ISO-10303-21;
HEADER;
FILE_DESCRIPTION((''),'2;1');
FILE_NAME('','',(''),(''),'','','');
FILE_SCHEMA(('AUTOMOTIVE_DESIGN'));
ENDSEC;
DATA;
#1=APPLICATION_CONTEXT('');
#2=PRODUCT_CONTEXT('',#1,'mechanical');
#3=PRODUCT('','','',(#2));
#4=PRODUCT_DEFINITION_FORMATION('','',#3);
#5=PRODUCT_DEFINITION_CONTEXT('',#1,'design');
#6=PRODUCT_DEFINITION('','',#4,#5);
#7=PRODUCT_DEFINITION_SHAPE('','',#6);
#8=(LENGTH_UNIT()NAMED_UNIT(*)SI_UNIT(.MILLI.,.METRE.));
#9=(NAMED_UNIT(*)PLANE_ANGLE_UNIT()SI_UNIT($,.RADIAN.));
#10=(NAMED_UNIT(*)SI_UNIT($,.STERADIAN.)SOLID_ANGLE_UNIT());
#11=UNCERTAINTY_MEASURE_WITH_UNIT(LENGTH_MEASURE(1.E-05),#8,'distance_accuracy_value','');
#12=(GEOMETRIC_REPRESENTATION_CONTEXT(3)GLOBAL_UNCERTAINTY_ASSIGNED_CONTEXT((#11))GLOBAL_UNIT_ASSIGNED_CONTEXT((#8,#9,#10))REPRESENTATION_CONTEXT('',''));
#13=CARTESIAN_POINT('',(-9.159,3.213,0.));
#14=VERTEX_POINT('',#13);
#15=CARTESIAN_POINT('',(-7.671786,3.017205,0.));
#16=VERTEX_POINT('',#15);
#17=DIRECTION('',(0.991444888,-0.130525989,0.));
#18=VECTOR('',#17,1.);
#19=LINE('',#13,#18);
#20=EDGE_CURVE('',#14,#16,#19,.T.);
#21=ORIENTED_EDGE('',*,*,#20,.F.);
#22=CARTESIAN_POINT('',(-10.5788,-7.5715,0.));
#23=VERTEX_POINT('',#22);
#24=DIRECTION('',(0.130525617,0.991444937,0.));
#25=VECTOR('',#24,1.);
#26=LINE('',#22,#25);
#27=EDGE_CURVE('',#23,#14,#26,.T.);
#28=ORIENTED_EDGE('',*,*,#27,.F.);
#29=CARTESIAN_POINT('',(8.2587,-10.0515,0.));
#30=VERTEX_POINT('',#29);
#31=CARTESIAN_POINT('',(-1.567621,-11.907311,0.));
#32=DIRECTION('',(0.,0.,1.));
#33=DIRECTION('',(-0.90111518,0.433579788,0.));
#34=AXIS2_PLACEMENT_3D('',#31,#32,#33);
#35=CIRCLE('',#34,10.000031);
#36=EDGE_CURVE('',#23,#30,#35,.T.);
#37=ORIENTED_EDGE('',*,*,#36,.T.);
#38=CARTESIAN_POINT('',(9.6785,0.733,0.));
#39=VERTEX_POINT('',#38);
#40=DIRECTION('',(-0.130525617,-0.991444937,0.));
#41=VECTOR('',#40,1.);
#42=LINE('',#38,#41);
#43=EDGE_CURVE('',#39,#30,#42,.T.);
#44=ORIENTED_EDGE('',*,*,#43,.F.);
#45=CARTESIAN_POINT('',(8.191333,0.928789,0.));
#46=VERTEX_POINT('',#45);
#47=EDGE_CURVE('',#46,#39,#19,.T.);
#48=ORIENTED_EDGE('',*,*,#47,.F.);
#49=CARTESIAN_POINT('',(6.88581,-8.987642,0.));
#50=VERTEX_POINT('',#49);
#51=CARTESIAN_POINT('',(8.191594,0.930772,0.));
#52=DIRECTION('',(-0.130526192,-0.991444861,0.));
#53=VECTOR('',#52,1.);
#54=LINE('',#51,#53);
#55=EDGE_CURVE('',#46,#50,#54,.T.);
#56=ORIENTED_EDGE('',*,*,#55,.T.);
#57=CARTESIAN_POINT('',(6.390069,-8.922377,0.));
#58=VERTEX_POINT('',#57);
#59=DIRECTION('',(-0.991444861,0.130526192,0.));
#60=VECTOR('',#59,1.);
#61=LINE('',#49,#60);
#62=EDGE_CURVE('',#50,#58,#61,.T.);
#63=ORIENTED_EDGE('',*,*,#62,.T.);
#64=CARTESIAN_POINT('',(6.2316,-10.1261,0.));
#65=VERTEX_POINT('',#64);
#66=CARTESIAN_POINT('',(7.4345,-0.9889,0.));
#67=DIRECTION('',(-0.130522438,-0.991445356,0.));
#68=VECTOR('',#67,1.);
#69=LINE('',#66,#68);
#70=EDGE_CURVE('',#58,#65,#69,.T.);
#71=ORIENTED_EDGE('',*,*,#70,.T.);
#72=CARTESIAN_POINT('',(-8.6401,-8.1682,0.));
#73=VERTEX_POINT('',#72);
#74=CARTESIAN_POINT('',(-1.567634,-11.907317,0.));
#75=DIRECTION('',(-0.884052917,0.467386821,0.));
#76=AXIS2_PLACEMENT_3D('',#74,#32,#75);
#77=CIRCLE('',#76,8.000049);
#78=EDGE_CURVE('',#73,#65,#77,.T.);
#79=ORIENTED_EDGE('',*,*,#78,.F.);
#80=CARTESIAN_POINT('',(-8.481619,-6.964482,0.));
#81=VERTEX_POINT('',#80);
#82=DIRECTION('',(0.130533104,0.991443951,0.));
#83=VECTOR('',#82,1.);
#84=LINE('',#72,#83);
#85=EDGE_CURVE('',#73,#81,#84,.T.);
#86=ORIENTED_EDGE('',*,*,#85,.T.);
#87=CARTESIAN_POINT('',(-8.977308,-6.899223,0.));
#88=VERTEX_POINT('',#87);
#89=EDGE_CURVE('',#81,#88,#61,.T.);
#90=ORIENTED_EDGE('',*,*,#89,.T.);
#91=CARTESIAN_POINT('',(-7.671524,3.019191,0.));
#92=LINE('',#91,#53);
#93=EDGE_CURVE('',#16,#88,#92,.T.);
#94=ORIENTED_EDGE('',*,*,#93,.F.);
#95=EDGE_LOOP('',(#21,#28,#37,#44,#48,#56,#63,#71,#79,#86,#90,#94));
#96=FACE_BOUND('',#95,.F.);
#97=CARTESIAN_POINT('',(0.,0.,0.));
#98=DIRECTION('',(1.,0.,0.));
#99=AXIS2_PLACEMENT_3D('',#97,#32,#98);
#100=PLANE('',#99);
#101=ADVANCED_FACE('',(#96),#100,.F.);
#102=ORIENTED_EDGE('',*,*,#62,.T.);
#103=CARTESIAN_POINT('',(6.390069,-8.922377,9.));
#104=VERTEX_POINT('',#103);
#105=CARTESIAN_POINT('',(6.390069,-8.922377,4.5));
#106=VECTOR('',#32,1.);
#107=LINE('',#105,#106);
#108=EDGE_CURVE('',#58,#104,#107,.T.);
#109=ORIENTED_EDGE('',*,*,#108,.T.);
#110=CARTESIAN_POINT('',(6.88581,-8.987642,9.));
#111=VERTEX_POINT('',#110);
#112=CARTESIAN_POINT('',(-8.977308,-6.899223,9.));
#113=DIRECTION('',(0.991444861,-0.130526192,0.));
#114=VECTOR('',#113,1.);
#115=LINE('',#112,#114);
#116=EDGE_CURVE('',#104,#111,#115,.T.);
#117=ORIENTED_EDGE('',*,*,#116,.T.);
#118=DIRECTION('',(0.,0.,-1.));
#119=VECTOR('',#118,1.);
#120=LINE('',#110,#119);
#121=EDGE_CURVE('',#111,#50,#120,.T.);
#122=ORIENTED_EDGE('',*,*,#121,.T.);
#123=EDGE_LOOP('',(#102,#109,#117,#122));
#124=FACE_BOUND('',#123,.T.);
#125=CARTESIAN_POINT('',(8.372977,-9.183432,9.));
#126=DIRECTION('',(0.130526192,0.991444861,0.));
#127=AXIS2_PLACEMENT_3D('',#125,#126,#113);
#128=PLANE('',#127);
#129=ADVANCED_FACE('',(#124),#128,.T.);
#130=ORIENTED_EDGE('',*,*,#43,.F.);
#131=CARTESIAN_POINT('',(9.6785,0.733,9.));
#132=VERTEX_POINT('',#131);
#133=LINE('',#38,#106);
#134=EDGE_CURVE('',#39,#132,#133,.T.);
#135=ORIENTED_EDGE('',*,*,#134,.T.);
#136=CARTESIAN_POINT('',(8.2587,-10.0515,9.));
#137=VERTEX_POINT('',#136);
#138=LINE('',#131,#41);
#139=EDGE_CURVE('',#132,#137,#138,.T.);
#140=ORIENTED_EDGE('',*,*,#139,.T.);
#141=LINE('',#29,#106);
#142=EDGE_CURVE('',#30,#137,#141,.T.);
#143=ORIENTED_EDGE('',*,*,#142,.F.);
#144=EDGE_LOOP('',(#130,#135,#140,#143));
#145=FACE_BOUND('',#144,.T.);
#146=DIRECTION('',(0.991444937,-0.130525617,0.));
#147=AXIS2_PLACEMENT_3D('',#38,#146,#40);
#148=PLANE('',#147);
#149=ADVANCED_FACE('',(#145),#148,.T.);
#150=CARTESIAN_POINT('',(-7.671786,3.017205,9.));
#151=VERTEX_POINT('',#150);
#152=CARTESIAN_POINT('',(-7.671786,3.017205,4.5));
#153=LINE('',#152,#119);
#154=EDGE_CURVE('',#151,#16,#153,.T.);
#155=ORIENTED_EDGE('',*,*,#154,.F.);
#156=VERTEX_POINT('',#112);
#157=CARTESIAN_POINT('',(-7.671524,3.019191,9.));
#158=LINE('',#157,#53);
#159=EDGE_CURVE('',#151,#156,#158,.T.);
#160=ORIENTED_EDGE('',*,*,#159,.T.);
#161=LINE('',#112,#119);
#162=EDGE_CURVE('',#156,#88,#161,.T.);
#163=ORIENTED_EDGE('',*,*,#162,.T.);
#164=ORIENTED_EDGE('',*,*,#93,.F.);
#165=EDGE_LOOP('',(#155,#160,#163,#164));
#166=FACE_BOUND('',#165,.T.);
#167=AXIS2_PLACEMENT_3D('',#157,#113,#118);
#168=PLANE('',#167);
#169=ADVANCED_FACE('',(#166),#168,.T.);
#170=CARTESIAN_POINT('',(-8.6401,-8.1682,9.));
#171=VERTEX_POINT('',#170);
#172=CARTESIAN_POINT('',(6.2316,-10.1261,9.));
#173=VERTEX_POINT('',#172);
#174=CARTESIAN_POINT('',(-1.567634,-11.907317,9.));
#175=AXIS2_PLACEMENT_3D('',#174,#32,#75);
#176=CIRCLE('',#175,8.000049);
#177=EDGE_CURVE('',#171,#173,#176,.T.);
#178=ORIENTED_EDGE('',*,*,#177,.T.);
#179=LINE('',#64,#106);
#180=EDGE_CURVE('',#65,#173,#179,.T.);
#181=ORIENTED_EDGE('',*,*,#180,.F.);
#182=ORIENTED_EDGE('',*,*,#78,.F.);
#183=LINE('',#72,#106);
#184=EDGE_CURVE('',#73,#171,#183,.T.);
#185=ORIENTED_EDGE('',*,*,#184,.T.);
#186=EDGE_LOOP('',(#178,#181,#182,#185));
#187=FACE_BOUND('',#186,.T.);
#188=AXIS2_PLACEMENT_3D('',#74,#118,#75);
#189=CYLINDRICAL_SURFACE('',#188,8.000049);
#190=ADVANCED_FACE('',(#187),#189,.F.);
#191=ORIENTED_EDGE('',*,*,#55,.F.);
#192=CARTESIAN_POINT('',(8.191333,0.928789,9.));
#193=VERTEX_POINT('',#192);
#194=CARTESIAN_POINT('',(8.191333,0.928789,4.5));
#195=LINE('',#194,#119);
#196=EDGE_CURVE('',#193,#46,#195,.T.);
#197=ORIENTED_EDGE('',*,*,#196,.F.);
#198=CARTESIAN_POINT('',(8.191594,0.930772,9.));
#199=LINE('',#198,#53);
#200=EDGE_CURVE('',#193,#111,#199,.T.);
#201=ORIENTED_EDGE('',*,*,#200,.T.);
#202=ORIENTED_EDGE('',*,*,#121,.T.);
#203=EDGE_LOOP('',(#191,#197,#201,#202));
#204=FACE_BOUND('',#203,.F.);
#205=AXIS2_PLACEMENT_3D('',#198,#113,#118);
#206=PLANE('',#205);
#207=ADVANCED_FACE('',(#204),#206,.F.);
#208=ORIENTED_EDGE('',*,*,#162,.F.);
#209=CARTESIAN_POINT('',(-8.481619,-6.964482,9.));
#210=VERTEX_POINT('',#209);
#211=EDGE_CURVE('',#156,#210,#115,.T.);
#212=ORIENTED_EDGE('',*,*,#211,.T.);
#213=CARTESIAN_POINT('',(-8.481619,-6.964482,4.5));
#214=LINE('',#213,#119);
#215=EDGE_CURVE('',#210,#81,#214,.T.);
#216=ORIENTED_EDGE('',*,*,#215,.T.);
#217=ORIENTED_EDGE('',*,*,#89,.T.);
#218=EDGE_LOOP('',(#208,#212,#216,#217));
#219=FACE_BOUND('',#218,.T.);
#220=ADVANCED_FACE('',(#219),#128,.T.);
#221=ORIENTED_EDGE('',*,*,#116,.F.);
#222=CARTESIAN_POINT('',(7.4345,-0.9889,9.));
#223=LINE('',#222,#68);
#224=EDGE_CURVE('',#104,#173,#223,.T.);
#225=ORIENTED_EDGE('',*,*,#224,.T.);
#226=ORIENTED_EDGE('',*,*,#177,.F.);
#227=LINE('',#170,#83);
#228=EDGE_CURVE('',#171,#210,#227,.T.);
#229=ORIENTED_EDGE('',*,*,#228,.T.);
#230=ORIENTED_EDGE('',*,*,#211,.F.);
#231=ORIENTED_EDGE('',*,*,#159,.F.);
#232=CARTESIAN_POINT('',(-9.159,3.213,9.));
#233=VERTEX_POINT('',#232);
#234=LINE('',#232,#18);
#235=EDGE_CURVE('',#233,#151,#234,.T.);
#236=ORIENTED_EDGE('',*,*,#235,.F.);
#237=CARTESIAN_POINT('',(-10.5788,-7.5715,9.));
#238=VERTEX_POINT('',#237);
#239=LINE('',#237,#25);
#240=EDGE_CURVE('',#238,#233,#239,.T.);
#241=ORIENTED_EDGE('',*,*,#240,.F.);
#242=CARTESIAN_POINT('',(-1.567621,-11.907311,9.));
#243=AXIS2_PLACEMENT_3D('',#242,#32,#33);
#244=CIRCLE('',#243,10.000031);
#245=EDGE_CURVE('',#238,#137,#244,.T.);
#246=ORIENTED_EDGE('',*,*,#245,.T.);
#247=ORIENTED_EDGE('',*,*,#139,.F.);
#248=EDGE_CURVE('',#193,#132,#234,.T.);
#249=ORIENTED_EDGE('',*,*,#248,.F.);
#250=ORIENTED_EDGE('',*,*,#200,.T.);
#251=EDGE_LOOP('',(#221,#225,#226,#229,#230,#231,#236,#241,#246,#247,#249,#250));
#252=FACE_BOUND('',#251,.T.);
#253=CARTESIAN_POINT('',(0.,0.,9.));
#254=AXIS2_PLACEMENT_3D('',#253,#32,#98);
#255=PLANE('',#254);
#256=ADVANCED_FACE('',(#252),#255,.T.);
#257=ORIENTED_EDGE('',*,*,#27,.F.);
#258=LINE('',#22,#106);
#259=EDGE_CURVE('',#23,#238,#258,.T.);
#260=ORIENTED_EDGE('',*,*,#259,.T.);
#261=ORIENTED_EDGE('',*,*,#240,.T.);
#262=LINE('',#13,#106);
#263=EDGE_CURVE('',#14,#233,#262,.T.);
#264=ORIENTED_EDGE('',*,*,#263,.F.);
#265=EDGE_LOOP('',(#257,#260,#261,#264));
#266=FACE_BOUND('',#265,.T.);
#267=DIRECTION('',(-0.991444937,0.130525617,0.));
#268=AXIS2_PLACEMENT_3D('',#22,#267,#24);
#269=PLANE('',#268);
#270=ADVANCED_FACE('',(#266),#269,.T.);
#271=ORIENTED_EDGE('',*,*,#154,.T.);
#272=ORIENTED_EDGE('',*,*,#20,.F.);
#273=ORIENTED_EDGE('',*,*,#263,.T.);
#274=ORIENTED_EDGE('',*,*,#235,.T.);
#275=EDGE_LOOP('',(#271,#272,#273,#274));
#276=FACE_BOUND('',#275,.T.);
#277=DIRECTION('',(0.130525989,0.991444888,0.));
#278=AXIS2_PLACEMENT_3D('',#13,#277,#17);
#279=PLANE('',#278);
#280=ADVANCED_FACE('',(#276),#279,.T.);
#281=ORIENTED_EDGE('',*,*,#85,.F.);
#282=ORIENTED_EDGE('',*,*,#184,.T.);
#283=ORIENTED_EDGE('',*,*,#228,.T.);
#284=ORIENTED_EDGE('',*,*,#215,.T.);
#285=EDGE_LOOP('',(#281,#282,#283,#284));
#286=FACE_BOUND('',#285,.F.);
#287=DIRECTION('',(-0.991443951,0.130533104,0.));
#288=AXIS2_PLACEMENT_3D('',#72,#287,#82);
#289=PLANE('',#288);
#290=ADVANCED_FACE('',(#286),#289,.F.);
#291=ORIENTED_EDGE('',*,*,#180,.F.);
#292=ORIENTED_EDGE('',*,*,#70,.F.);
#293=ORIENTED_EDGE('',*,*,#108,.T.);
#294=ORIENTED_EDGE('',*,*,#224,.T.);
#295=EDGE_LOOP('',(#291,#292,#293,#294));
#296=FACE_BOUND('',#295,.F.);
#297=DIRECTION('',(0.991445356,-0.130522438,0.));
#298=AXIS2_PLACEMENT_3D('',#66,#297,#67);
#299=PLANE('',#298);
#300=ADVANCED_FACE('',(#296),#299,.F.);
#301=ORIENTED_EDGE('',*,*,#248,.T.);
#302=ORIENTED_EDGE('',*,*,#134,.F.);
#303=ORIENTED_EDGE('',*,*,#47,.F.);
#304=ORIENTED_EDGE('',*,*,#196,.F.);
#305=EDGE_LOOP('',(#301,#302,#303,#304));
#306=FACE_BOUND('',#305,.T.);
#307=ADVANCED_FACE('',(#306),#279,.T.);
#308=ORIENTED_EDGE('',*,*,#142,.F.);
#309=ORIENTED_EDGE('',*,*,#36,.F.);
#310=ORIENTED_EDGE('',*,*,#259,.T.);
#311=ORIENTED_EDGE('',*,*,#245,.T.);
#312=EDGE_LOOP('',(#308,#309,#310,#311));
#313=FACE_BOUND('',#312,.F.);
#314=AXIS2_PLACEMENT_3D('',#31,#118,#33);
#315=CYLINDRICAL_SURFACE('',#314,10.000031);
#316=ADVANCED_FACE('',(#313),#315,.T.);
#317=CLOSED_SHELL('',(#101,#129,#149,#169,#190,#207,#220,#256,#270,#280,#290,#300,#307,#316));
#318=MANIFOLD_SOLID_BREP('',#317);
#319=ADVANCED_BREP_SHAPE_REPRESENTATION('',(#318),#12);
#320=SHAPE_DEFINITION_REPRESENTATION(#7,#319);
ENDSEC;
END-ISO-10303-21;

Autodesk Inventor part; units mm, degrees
ref_plane "YZ Plane" through (0, 0, 0) normal (1, 0, 0) x (0, 1, 0)
ref_plane "XZ Plane" through (0, 0, 0) normal (0, 1, 0) x (-1, 0, 0)
sketch "Sketch1" plane through (0, 0, 0) normal (0, 0, 1) x (1, 0, 0)
  arc A0 (-8.6401, -8.1682) -> (6.2316, -10.1261) centre (-1.5676, -11.9073) ccw projected
  line L0 (7.4345, -0.9889) -> (6.2316, -10.1261) projected
  line L1 (-7.4371, 0.969) -> (7.4345, -0.9889) projected
  line L2 (-8.6401, -8.1682) -> (-7.4371, 0.969) projected
  line L3 (0.03, -17.852) -> (-0.1568, -19.2714) projected
  line L4 (-0.1568, -19.2714) -> (-0.6894, -19.2013) projected
  spline S0 degree 3 poles (-0.6894, -19.2013) (-0.7386, -19.1939) (-0.8276, -19.1805) (-0.9085, -19.1413) (-0.9446, -19.1238) knots 0 0 0 0 0.014823 0.02681 0.02681 0.02681 0.02681 projected
  spline S1 degree 3 poles (-0.9446, -19.1238) (-0.9734, -19.1035) (-1.0308, -19.0631) (-1.0644, -19.0015) (-1.0811, -18.9709) knots 0 0 0 0 0.010419 0.020741 0.020741 0.020741 0.020741 projected
  spline S2 degree 3 poles (-1.0811, -18.9709) (-1.0934, -18.9389) (-1.1175, -18.8762) (-1.1139, -18.8091) (-1.1121, -18.7762) knots 0 0 0 0 0.010155 0.019912 0.019912 0.019912 0.019912 projected
  spline S3 degree 3 poles (-1.1121, -18.7762) (-1.106, -18.7465) (-1.0937, -18.6864) (-1.0581, -18.6365) (-1.0402, -18.6114) knots 0 0 0 0 0.008998 0.018167 0.018167 0.018167 0.018167 projected
  spline S4 degree 3 poles (-1.0402, -18.6114) (-1.0175, -18.5881) (-0.9702, -18.5394) (-0.907, -18.5143) (-0.874, -18.5012) knots 0 0 0 0 0.009628 0.020138 0.020138 0.020138 0.020138 projected
  spline S5 degree 3 poles (-0.874, -18.5012) (-0.912, -18.4819) (-0.9849, -18.4448) (-1.0323, -18.3782) (-1.055, -18.3464) knots 0 0 0 0 0.012589 0.024139 0.024139 0.024139 0.024139 projected
  spline S6 degree 3 poles (-1.055, -18.3464) (-1.071, -18.3116) (-1.1036, -18.2405) (-1.0985, -18.1623) (-1.096, -18.1224) knots 0 0 0 0 0.011297 0.023097 0.023097 0.023097 0.023097 projected
  spline S7 degree 3 poles (-1.096, -18.1224) (-1.09, -18.0901) (-1.0782, -18.0263) (-1.0456, -17.9702) (-1.0294, -17.9425) knots 0 0 0 0 0.009763 0.019307 0.019307 0.019307 0.019307 projected
  spline S8 degree 3 poles (-1.0294, -17.9425) (-1.0117, -17.9179) (-0.9781, -17.8713) (-0.9305, -17.8392) (-0.9079, -17.824) knots 0 0 0 0 0.009007 0.017087 0.017087 0.017087 0.017087 projected
  spline S9 degree 3 poles (-0.9079, -17.824) (-0.8832, -17.8123) (-0.8309, -17.7874) (-0.7736, -17.7788) (-0.7433, -17.7743) knots 0 0 0 0 0.008157 0.017283 0.017283 0.017283 0.017283 projected
  spline S10 degree 3 poles (-0.7433, -17.7743) (-0.7078, -17.7719) (-0.6303, -17.7668) (-0.5531, -17.7758) (-0.5112, -17.7807) knots 0 0 0 0 0.010638 0.023262 0.023262 0.023262 0.023262 projected
  line L5 (-0.5112, -17.7807) -> (0.03, -17.852) projected
  line L6 (-3.4981, -17.3875) -> (-3.685, -18.8069) projected
  line L7 (-3.685, -18.8069) -> (-3.8728, -18.7821) projected
  line L8 (-3.8728, -18.7821) -> (-3.7802, -18.0783) projected
  line L9 (-3.7802, -18.0783) -> (-4.5777, -18.6893) projected
  line L10 (-4.5777, -18.6893) -> (-4.8323, -18.6558) projected
  line L11 (-4.8323, -18.6558) -> (-4.1612, -18.1591) projected
  line L12 (-4.1612, -18.1591) -> (-4.6716, -17.233) projected
  line L13 (-4.6716, -17.233) -> (-4.4237, -17.2656) projected
  line L14 (-4.4237, -17.2656) -> (-4.0129, -18.0506) projected
  line L15 (-4.0129, -18.0506) -> (-3.7507, -17.8546) projected
  line L16 (-3.7507, -17.8546) -> (-3.686, -17.3627) projected
  line L17 (-3.686, -17.3627) -> (-3.4981, -17.3875) projected
  circle A1 centre (-5.3501, -2.3316) radius 1.25 projected
  circle A2 centre (-0.3929, -2.9842) radius 1.25 projected
  circle A3 centre (4.5643, -3.6369) radius 1.25 projected
  line L18 (-1.8861, -17.5997) -> (-1.7118, -17.6227) projected
  line L19 (-1.7118, -17.6227) -> (-1.858, -18.7332) projected
  spline S11 degree 3 poles (-1.858, -18.7332) (-1.8315, -18.7156) (-1.7741, -18.6776) (-1.7111, -18.6498) (-1.6771, -18.6349) knots 0 0 0 0 0.009512 0.020621 0.020621 0.020621 0.020621 projected
  spline S12 degree 3 poles (-1.6771, -18.6349) (-1.6428, -18.6208) (-1.579, -18.5947) (-1.5125, -18.5771) (-1.4818, -18.569) knots 0 0 0 0 0.011121 0.020634 0.020634 0.020634 0.020634 projected
  line L20 (-1.4818, -18.569) -> (-1.5039, -18.7374) projected
  spline S13 degree 3 poles (-1.5039, -18.7374) (-1.5538, -18.755) (-1.6511, -18.7893) (-1.7387, -18.8438) (-1.7815, -18.8703) knots 0 0 0 0 0.015802 0.030852 0.030852 0.030852 0.030852 projected
  spline S14 degree 3 poles (-1.7815, -18.8703) (-1.8184, -18.8967) (-1.8862, -18.945) (-1.9379, -19.0101) (-1.9614, -19.0397) knots 0 0 0 0 0.013536 0.024817 0.024817 0.024817 0.024817 projected
  line L21 (-1.9614, -19.0397) -> (-2.0737, -19.0249) projected
  line L22 (-2.0737, -19.0249) -> (-1.8861, -17.5997) projected
  spline S15 degree 3 poles (-2.4246, -18.241) (-2.4356, -18.317) (-2.4555, -18.4539) (-2.5069, -18.5823) (-2.5297, -18.6393) knots 0 0 0 0 0.02295 0.041329 0.041329 0.041329 0.041329 projected
  spline S16 degree 3 poles (-2.5297, -18.6393) (-2.5543, -18.6843) (-2.6009, -18.7695) (-2.6782, -18.8281) (-2.7148, -18.8558) knots 0 0 0 0 0.015169 0.02877 0.02877 0.02877 0.02877 projected
  spline S17 degree 3 poles (-2.7148, -18.8558) (-2.7553, -18.8752) (-2.84, -18.9157) (-2.9339, -18.9088) (-2.9828, -18.9052) knots 0 0 0 0 0.013229 0.027677 0.027677 0.027677 0.027677 projected
  spline S18 degree 3 poles (-2.9828, -18.9052) (-3.0189, -18.8989) (-3.0882, -18.8866) (-3.1483, -18.8503) (-3.1772, -18.8328) knots 0 0 0 0 0.010877 0.0209 0.0209 0.0209 0.0209 projected
  spline S19 degree 3 poles (-3.1772, -18.8328) (-3.2025, -18.812) (-3.254, -18.7696) (-3.2859, -18.7111) (-3.3021, -18.6815) knots 0 0 0 0 0.009749 0.019786 0.019786 0.019786 0.019786 projected
  spline S20 degree 3 poles (-3.3021, -18.6815) (-3.3159, -18.6476) (-3.3452, -18.5759) (-3.3564, -18.4992) (-3.3624, -18.4588) knots 0 0 0 0 0.010931 0.023145 0.023145 0.023145 0.023145 projected
  spline S21 degree 3 poles (-3.3624, -18.4588) (-3.3653, -18.409) (-3.3719, -18.2955) (-3.358, -18.1825) (-3.3502, -18.1191) knots 0 0 0 0 0.014931 0.034052 0.034052 0.034052 0.034052 projected
  spline S22 degree 3 poles (-3.3502, -18.1191) (-3.3392, -18.0436) (-3.3193, -17.9073) (-3.2684, -17.7795) (-3.2458, -17.7226) knots 0 0 0 0 0.022803 0.041126 0.041126 0.041126 0.041126 projected
  spline S23 degree 3 poles (-3.2458, -17.7226) (-3.2213, -17.6776) (-3.1749, -17.5922) (-3.0976, -17.5334) (-3.0611, -17.5056) knots 0 0 0 0 0.015164 0.028785 0.028785 0.028785 0.028785 projected
  spline S24 degree 3 poles (-3.0611, -17.5056) (-3.0205, -17.4861) (-2.9355, -17.4453) (-2.8413, -17.4522) (-2.792, -17.4558) knots 0 0 0 0 0.013268 0.02779 0.02779 0.02779 0.02779 projected
  spline S25 degree 3 poles (-2.792, -17.4558) (-2.7285, -17.4698) (-2.6047, -17.4969) (-2.5269, -17.5968) (-2.489, -17.6454) knots 0 0 0 0 0.01885 0.036767 0.036767 0.036767 0.036767 projected
  spline S26 degree 3 poles (-2.489, -17.6454) (-2.4583, -17.7269) (-2.386, -17.9186) (-2.4105, -18.1233) (-2.4246, -18.241) knots 0 0 0 0 0.025776 0.060673 0.060673 0.060673 0.060673 projected
  arc A4 (-10.5788, -7.5715) -> (8.2587, -10.0515) centre (-1.5676, -11.9073) ccw
  line L23 (-10.5788, -7.5715) -> (-9.159, 3.213)
  line L24 (-9.159, 3.213) -> (9.6785, 0.733)
  line L25 (9.6785, 0.733) -> (8.2587, -10.0515)
  point P0 (0, 0)
  dimension "d0" = 2
ref_plane "Work Plane1" through (-4.5785, -14.9902, 9) normal (0, 0, -1) x (0, 1, 0)
extrude "Extrusion1" add sketch "Sketch1" along normal up to surface (9 mm away) contours L23 L24 L25 A4
sketch "Sketch2" plane through (9.6785, 0.733, 9) normal (0.1305, 0.9914, 0) x (0.9914, -0.1305, 0)
  line L0 (-17.5, 0) -> (-17.5, 9) projected
  line L1 (-1.5, 0) -> (-1.5, 9) projected
  line L2 (-17.5, 0) -> (-1.5, 0)
  line L3 (-1.5, 0) -> (-1.5, 9)
  line L4 (-1.5, 9) -> (-17.5, 9)
  line L5 (-17.5, 9) -> (-17.5, 0)
  point P0 (-9.5, 9)
  point P1 (-1.5, 0)
extrude "Extrusion2" cut sketch "Sketch2" against normal blind 10
properties part number "PotHolder"
